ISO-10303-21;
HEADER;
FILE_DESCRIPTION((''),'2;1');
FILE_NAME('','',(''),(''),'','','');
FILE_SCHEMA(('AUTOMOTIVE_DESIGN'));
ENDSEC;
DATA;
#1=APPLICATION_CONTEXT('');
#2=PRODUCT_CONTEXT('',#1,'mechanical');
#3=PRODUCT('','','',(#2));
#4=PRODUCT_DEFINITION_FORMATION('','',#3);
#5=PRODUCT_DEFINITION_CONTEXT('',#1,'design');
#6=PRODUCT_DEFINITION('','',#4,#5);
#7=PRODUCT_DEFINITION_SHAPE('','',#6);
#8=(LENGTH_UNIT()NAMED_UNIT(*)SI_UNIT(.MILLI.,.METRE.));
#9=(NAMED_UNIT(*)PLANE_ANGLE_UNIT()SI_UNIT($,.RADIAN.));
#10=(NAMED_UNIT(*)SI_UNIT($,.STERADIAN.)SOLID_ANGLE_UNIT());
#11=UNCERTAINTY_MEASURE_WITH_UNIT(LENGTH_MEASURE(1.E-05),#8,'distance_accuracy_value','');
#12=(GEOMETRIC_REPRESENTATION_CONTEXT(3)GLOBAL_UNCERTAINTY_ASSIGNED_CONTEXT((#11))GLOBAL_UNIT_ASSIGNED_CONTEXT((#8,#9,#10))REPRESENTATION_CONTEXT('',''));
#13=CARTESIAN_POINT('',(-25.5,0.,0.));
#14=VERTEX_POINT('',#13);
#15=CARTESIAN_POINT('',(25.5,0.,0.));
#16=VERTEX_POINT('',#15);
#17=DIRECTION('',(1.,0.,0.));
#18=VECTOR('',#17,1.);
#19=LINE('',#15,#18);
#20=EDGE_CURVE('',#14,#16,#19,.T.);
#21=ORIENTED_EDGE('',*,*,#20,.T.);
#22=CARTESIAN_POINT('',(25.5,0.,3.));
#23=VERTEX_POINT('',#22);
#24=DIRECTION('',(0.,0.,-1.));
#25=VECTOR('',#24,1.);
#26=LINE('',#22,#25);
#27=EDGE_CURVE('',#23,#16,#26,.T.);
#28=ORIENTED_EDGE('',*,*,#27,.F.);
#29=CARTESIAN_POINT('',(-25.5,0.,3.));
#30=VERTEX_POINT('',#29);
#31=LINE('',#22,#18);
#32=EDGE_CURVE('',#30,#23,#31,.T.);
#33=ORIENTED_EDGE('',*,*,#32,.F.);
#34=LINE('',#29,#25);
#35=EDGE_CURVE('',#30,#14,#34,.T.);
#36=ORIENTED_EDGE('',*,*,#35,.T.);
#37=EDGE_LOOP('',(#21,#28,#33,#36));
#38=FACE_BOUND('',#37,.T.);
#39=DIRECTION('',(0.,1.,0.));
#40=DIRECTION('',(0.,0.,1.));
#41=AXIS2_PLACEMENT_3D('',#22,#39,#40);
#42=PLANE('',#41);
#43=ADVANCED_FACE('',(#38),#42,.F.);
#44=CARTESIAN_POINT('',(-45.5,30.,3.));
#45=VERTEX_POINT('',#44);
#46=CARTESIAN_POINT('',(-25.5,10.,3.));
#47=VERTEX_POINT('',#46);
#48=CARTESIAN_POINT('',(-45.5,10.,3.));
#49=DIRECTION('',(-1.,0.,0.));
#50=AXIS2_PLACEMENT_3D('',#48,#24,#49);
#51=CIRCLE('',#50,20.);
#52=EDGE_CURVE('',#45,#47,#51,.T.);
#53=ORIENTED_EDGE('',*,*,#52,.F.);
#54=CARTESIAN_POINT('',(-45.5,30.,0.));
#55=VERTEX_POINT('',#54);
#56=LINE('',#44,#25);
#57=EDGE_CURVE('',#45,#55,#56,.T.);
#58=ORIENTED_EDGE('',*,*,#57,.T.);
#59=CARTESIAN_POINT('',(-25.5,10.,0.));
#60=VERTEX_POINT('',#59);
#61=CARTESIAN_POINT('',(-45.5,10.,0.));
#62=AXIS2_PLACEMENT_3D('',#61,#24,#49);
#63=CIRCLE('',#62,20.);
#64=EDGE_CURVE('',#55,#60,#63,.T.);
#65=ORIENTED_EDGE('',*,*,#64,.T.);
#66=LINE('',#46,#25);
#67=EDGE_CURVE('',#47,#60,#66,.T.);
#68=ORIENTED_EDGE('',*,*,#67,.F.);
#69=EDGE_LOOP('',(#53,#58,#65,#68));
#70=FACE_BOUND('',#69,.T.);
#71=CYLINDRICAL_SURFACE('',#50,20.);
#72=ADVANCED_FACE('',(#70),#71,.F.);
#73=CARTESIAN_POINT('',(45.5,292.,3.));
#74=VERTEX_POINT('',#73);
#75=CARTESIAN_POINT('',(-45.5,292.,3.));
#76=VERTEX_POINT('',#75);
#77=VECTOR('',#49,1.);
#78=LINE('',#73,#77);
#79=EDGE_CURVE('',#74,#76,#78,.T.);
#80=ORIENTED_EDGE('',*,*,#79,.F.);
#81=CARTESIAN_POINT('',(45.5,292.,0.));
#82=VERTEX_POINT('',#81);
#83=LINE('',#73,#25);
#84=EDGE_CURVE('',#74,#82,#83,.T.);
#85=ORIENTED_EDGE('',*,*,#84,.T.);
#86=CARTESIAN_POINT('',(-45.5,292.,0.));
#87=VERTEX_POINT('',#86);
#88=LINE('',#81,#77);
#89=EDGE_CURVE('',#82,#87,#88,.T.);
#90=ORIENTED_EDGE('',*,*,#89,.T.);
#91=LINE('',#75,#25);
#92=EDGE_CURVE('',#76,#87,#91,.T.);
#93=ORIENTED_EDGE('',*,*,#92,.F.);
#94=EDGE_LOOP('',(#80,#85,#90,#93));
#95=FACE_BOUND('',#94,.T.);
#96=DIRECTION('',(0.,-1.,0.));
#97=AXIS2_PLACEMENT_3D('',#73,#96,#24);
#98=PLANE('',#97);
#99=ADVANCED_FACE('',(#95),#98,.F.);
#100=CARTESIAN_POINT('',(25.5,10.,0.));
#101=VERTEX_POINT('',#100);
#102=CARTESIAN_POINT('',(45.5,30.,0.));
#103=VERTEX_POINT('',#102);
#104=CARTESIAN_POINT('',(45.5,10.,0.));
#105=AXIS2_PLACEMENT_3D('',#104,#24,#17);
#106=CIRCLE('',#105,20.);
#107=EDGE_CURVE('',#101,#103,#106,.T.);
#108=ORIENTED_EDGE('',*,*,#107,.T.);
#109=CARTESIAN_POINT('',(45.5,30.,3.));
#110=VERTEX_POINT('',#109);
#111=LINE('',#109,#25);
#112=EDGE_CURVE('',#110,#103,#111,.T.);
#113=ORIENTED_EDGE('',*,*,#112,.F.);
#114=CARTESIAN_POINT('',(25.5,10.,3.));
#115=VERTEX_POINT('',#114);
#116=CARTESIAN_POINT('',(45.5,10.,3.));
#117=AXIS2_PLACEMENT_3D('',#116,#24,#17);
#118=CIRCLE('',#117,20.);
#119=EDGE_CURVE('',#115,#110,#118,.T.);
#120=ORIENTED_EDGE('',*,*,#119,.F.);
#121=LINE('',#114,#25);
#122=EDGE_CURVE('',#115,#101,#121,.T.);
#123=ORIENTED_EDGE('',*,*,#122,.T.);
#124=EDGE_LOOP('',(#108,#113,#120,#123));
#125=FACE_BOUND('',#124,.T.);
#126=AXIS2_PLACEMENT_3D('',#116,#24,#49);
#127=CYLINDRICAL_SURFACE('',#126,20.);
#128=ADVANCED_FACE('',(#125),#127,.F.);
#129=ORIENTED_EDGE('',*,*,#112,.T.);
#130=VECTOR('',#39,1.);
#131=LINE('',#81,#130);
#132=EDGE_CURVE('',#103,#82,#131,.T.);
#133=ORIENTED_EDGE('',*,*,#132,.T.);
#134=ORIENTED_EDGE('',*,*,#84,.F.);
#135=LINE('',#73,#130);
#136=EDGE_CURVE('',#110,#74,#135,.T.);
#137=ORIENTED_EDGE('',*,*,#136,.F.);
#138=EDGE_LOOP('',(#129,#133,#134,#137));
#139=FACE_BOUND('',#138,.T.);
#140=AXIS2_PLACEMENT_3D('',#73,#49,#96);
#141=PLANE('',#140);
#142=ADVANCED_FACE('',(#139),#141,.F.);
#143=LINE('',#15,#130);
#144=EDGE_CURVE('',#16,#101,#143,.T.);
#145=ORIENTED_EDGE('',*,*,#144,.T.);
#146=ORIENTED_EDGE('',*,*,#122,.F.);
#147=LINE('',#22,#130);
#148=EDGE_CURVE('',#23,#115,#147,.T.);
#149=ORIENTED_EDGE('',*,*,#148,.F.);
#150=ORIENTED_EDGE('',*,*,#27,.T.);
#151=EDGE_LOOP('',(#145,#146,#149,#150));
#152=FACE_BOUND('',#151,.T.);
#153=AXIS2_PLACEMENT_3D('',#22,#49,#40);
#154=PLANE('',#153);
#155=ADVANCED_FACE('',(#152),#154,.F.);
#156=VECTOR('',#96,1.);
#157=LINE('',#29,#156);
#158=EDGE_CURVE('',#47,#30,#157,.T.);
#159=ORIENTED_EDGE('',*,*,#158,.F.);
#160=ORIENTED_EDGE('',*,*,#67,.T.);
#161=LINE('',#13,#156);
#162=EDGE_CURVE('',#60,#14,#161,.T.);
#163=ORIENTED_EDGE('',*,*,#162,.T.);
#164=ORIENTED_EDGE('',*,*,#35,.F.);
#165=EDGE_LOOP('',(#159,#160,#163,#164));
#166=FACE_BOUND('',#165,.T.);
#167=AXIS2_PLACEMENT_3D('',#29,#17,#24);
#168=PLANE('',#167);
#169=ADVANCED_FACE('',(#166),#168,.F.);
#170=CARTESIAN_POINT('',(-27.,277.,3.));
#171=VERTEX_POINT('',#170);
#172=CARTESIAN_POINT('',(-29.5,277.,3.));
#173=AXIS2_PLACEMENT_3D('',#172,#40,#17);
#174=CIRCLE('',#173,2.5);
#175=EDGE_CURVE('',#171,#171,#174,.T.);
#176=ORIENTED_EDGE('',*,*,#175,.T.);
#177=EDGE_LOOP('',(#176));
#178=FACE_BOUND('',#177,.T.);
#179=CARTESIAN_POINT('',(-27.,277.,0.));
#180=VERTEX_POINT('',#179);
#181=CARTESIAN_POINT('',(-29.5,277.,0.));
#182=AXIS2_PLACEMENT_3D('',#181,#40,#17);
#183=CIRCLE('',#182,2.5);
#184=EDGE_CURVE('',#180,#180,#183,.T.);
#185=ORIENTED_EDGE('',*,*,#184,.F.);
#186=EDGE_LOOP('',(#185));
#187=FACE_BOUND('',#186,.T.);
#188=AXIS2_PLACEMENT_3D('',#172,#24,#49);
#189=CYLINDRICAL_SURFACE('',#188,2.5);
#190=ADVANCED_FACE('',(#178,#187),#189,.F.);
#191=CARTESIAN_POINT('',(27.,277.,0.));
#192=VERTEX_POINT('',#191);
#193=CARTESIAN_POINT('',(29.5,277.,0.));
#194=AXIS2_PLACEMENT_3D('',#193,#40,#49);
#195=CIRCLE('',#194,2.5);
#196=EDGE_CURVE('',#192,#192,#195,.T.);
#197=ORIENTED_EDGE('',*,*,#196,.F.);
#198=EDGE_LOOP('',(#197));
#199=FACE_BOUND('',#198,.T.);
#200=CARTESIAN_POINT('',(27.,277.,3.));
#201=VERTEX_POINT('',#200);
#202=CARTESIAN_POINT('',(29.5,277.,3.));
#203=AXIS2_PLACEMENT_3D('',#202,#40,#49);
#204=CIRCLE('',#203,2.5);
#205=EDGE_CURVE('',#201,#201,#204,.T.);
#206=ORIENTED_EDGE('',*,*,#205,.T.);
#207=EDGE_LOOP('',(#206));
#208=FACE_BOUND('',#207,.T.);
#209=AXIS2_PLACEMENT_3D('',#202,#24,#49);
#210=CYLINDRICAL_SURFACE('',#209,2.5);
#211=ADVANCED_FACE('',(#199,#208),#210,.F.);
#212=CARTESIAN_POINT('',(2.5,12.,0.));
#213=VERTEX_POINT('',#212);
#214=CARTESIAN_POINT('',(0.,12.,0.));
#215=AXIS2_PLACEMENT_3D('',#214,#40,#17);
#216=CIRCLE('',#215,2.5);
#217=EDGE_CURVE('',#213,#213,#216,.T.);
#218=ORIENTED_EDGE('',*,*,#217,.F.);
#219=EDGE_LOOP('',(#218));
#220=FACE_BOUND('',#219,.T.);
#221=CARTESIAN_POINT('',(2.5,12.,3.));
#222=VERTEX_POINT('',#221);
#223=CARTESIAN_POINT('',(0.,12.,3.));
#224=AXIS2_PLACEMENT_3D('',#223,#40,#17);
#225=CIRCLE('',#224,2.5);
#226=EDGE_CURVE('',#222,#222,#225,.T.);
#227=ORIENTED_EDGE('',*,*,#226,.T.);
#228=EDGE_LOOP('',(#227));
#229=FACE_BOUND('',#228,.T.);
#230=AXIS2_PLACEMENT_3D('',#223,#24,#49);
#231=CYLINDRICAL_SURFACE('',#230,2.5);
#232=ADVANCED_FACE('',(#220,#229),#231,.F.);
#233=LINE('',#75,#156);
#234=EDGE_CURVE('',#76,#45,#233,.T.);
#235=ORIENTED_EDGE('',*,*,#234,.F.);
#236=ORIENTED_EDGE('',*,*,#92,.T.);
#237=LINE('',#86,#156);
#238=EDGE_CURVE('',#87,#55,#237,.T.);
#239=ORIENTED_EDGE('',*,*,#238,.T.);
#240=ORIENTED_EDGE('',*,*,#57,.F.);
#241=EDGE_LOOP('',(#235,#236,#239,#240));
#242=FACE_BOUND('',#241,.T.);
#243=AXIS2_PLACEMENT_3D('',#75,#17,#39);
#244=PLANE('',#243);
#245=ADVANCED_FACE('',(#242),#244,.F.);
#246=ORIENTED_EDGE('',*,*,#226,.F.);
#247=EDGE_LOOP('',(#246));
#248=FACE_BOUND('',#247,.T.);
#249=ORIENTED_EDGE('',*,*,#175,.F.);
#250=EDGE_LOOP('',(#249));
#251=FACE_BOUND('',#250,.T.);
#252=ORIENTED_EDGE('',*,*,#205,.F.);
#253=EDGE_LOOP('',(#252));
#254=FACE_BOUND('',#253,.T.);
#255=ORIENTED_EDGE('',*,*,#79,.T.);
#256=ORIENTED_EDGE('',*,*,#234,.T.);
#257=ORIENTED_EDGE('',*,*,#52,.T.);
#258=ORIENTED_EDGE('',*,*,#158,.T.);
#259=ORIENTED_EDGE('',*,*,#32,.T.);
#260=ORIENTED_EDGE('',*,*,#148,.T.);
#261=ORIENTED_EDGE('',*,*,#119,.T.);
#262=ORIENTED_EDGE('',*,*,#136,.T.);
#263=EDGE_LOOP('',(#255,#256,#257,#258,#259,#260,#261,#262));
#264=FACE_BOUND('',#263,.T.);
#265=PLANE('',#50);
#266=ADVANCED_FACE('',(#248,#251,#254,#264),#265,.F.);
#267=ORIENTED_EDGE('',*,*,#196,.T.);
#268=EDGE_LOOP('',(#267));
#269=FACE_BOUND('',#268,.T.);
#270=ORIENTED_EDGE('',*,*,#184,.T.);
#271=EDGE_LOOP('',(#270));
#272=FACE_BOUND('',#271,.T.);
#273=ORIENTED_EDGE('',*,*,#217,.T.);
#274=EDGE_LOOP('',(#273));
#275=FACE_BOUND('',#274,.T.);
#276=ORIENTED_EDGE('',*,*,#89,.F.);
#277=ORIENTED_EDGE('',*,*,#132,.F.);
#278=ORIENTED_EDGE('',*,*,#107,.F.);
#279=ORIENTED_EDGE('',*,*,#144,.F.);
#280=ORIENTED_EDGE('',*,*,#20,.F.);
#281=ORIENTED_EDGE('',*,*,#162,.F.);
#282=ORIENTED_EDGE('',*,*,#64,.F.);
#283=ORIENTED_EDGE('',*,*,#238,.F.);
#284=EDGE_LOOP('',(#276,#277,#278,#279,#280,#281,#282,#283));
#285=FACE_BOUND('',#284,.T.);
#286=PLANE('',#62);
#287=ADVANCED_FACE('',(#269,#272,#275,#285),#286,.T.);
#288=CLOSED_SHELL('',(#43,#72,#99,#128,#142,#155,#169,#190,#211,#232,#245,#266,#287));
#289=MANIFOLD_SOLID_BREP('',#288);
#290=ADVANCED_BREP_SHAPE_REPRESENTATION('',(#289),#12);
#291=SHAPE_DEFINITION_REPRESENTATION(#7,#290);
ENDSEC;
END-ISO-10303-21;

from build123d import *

# Parameters (mm, degrees)
ESQUISSE1_R      = 2.5
EXTRUSION1_DEPTH = 3


with BuildPart() as part:
    # Esquisse1 → Extrusion1 (new body)
    with BuildSketch(Plane.XY):
        with BuildLine():
            Line((45.5, 292), (-45.5, 292))
            Line((-45.5, 292), (-45.5, 30))
            ThreePointArc((-45.5, 30), (-31.357864376, 24.142135624), (-25.5, 10))
            Line((-25.5, 10), (-25.5, 0))
            Line((-25.5, 0), (25.5, 0))
            Line((25.5, 0), (25.5, 10))
            ThreePointArc((25.5, 10), (31.357864376, 24.142135624), (45.5, 30))
            Line((45.5, 30), (45.5, 292))
        make_face()
        with Locations((-29.5, 277)):
            Circle(ESQUISSE1_R, mode=Mode.SUBTRACT)
        with Locations((29.5, 277)):
            Circle(ESQUISSE1_R, mode=Mode.SUBTRACT)
        with Locations((0, 12)):
            Circle(ESQUISSE1_R, mode=Mode.SUBTRACT)
    extrude(amount=EXTRUSION1_DEPTH)


solid = part.part
